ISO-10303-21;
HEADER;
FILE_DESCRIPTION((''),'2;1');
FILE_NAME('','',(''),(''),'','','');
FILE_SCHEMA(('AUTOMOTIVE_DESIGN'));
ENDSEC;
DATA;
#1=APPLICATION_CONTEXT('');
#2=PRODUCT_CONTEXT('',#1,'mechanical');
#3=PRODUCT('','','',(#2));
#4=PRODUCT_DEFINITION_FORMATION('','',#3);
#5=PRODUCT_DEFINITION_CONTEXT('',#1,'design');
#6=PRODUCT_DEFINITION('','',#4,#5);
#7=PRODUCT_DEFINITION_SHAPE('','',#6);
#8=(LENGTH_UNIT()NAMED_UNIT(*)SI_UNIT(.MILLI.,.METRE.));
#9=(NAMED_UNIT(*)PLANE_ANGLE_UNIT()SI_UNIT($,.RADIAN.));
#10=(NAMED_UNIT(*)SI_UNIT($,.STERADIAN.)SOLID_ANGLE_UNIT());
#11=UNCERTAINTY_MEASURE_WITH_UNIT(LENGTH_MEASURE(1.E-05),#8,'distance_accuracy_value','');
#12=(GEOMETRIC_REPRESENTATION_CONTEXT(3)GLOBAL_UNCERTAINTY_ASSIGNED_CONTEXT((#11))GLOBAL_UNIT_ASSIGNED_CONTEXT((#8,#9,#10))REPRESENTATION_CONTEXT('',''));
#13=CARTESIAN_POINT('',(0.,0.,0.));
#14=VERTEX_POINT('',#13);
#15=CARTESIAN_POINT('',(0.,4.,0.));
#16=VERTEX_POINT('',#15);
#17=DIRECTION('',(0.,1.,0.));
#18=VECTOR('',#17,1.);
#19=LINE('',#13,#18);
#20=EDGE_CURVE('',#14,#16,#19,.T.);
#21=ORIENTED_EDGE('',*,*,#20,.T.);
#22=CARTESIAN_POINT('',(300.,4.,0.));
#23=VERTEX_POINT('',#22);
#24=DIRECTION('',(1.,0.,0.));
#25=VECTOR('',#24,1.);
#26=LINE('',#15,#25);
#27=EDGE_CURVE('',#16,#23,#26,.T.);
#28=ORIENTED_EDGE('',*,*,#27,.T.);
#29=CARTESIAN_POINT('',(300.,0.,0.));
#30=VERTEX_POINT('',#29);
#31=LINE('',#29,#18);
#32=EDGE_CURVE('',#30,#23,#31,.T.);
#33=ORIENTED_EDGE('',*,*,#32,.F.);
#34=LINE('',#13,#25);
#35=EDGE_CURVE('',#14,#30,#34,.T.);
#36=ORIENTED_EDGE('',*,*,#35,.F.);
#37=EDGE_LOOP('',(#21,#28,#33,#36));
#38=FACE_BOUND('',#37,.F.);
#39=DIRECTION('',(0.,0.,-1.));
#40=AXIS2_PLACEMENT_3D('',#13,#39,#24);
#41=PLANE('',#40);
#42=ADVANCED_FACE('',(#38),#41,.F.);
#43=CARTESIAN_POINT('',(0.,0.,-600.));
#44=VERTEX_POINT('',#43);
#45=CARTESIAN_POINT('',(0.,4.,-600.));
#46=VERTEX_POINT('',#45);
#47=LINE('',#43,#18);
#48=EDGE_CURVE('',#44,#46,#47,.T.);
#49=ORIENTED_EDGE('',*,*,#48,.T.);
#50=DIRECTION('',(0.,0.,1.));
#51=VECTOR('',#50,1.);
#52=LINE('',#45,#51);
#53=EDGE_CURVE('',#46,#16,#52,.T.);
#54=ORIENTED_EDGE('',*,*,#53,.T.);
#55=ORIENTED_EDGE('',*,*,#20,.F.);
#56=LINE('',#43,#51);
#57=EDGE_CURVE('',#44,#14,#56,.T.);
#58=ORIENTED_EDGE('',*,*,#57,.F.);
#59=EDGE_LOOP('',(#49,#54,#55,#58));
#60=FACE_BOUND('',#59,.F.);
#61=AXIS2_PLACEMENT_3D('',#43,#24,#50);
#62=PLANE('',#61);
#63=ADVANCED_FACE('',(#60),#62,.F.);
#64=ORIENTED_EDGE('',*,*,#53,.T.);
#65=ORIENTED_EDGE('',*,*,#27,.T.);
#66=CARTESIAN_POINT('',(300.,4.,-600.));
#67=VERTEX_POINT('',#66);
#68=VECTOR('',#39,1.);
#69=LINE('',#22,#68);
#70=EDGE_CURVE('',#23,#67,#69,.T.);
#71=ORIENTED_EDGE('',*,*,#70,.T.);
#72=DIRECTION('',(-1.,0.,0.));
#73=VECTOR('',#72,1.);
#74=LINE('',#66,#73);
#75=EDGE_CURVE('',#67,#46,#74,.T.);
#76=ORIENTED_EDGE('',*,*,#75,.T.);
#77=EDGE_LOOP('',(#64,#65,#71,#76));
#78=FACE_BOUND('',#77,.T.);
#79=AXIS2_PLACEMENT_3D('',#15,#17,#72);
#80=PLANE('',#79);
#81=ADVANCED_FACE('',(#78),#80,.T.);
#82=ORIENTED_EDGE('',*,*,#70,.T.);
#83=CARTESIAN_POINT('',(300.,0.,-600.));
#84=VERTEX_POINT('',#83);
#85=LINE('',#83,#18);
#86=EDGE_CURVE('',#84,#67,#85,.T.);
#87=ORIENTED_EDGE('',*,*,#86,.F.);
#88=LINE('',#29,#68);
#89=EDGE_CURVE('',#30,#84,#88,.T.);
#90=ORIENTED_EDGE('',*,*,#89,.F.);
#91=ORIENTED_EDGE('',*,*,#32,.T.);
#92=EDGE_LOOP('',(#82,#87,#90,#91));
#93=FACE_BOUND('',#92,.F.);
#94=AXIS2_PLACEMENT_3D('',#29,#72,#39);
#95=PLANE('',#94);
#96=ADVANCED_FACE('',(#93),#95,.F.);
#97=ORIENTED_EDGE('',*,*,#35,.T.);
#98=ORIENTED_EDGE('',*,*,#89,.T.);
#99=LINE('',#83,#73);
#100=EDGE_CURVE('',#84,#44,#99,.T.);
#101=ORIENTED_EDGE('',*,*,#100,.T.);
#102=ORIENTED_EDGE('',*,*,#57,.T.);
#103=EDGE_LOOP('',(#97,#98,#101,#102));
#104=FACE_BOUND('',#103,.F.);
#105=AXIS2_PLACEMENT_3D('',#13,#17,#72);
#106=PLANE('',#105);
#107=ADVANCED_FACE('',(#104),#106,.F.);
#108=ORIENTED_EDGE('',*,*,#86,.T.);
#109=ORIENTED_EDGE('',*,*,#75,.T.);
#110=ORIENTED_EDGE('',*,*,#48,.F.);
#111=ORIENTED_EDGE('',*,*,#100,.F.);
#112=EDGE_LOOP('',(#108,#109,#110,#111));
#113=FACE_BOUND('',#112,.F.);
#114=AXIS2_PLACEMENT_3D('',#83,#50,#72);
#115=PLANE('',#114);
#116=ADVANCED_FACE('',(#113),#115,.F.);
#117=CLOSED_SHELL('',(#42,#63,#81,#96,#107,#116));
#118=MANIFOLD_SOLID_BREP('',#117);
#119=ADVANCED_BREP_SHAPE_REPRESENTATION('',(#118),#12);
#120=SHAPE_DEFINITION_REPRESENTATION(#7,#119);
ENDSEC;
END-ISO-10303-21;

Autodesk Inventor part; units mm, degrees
ref_plane "YZ Plane" through (0, 0, 0) normal (1, 0, 0) x (0, 1, 0)
ref_plane "XZ Plane" through (0, 0, 0) normal (0, 1, 0) x (-1, 0, 0)
ref_plane "XY Plane" through (0, 0, 0) normal (0, 0, 1) x (1, 0, 0)
sketch "Эскиз1" plane through (0, 0, 0) normal (0, 1, 0) x (-1, 0, 0)
  line L0 (0, 0) -> (-300, 0)
  line L1 (-300, 0) -> (-300, -600)
  line L2 (-300, -600) -> (0, -600)
  line L3 (0, -600) -> (0, 0)
  dimension "d0" = 300
  dimension "d1" = 600
extrude "Выдавливание1" add sketch "Эскиз1" along normal blind 4
properties part number "Механизм"
